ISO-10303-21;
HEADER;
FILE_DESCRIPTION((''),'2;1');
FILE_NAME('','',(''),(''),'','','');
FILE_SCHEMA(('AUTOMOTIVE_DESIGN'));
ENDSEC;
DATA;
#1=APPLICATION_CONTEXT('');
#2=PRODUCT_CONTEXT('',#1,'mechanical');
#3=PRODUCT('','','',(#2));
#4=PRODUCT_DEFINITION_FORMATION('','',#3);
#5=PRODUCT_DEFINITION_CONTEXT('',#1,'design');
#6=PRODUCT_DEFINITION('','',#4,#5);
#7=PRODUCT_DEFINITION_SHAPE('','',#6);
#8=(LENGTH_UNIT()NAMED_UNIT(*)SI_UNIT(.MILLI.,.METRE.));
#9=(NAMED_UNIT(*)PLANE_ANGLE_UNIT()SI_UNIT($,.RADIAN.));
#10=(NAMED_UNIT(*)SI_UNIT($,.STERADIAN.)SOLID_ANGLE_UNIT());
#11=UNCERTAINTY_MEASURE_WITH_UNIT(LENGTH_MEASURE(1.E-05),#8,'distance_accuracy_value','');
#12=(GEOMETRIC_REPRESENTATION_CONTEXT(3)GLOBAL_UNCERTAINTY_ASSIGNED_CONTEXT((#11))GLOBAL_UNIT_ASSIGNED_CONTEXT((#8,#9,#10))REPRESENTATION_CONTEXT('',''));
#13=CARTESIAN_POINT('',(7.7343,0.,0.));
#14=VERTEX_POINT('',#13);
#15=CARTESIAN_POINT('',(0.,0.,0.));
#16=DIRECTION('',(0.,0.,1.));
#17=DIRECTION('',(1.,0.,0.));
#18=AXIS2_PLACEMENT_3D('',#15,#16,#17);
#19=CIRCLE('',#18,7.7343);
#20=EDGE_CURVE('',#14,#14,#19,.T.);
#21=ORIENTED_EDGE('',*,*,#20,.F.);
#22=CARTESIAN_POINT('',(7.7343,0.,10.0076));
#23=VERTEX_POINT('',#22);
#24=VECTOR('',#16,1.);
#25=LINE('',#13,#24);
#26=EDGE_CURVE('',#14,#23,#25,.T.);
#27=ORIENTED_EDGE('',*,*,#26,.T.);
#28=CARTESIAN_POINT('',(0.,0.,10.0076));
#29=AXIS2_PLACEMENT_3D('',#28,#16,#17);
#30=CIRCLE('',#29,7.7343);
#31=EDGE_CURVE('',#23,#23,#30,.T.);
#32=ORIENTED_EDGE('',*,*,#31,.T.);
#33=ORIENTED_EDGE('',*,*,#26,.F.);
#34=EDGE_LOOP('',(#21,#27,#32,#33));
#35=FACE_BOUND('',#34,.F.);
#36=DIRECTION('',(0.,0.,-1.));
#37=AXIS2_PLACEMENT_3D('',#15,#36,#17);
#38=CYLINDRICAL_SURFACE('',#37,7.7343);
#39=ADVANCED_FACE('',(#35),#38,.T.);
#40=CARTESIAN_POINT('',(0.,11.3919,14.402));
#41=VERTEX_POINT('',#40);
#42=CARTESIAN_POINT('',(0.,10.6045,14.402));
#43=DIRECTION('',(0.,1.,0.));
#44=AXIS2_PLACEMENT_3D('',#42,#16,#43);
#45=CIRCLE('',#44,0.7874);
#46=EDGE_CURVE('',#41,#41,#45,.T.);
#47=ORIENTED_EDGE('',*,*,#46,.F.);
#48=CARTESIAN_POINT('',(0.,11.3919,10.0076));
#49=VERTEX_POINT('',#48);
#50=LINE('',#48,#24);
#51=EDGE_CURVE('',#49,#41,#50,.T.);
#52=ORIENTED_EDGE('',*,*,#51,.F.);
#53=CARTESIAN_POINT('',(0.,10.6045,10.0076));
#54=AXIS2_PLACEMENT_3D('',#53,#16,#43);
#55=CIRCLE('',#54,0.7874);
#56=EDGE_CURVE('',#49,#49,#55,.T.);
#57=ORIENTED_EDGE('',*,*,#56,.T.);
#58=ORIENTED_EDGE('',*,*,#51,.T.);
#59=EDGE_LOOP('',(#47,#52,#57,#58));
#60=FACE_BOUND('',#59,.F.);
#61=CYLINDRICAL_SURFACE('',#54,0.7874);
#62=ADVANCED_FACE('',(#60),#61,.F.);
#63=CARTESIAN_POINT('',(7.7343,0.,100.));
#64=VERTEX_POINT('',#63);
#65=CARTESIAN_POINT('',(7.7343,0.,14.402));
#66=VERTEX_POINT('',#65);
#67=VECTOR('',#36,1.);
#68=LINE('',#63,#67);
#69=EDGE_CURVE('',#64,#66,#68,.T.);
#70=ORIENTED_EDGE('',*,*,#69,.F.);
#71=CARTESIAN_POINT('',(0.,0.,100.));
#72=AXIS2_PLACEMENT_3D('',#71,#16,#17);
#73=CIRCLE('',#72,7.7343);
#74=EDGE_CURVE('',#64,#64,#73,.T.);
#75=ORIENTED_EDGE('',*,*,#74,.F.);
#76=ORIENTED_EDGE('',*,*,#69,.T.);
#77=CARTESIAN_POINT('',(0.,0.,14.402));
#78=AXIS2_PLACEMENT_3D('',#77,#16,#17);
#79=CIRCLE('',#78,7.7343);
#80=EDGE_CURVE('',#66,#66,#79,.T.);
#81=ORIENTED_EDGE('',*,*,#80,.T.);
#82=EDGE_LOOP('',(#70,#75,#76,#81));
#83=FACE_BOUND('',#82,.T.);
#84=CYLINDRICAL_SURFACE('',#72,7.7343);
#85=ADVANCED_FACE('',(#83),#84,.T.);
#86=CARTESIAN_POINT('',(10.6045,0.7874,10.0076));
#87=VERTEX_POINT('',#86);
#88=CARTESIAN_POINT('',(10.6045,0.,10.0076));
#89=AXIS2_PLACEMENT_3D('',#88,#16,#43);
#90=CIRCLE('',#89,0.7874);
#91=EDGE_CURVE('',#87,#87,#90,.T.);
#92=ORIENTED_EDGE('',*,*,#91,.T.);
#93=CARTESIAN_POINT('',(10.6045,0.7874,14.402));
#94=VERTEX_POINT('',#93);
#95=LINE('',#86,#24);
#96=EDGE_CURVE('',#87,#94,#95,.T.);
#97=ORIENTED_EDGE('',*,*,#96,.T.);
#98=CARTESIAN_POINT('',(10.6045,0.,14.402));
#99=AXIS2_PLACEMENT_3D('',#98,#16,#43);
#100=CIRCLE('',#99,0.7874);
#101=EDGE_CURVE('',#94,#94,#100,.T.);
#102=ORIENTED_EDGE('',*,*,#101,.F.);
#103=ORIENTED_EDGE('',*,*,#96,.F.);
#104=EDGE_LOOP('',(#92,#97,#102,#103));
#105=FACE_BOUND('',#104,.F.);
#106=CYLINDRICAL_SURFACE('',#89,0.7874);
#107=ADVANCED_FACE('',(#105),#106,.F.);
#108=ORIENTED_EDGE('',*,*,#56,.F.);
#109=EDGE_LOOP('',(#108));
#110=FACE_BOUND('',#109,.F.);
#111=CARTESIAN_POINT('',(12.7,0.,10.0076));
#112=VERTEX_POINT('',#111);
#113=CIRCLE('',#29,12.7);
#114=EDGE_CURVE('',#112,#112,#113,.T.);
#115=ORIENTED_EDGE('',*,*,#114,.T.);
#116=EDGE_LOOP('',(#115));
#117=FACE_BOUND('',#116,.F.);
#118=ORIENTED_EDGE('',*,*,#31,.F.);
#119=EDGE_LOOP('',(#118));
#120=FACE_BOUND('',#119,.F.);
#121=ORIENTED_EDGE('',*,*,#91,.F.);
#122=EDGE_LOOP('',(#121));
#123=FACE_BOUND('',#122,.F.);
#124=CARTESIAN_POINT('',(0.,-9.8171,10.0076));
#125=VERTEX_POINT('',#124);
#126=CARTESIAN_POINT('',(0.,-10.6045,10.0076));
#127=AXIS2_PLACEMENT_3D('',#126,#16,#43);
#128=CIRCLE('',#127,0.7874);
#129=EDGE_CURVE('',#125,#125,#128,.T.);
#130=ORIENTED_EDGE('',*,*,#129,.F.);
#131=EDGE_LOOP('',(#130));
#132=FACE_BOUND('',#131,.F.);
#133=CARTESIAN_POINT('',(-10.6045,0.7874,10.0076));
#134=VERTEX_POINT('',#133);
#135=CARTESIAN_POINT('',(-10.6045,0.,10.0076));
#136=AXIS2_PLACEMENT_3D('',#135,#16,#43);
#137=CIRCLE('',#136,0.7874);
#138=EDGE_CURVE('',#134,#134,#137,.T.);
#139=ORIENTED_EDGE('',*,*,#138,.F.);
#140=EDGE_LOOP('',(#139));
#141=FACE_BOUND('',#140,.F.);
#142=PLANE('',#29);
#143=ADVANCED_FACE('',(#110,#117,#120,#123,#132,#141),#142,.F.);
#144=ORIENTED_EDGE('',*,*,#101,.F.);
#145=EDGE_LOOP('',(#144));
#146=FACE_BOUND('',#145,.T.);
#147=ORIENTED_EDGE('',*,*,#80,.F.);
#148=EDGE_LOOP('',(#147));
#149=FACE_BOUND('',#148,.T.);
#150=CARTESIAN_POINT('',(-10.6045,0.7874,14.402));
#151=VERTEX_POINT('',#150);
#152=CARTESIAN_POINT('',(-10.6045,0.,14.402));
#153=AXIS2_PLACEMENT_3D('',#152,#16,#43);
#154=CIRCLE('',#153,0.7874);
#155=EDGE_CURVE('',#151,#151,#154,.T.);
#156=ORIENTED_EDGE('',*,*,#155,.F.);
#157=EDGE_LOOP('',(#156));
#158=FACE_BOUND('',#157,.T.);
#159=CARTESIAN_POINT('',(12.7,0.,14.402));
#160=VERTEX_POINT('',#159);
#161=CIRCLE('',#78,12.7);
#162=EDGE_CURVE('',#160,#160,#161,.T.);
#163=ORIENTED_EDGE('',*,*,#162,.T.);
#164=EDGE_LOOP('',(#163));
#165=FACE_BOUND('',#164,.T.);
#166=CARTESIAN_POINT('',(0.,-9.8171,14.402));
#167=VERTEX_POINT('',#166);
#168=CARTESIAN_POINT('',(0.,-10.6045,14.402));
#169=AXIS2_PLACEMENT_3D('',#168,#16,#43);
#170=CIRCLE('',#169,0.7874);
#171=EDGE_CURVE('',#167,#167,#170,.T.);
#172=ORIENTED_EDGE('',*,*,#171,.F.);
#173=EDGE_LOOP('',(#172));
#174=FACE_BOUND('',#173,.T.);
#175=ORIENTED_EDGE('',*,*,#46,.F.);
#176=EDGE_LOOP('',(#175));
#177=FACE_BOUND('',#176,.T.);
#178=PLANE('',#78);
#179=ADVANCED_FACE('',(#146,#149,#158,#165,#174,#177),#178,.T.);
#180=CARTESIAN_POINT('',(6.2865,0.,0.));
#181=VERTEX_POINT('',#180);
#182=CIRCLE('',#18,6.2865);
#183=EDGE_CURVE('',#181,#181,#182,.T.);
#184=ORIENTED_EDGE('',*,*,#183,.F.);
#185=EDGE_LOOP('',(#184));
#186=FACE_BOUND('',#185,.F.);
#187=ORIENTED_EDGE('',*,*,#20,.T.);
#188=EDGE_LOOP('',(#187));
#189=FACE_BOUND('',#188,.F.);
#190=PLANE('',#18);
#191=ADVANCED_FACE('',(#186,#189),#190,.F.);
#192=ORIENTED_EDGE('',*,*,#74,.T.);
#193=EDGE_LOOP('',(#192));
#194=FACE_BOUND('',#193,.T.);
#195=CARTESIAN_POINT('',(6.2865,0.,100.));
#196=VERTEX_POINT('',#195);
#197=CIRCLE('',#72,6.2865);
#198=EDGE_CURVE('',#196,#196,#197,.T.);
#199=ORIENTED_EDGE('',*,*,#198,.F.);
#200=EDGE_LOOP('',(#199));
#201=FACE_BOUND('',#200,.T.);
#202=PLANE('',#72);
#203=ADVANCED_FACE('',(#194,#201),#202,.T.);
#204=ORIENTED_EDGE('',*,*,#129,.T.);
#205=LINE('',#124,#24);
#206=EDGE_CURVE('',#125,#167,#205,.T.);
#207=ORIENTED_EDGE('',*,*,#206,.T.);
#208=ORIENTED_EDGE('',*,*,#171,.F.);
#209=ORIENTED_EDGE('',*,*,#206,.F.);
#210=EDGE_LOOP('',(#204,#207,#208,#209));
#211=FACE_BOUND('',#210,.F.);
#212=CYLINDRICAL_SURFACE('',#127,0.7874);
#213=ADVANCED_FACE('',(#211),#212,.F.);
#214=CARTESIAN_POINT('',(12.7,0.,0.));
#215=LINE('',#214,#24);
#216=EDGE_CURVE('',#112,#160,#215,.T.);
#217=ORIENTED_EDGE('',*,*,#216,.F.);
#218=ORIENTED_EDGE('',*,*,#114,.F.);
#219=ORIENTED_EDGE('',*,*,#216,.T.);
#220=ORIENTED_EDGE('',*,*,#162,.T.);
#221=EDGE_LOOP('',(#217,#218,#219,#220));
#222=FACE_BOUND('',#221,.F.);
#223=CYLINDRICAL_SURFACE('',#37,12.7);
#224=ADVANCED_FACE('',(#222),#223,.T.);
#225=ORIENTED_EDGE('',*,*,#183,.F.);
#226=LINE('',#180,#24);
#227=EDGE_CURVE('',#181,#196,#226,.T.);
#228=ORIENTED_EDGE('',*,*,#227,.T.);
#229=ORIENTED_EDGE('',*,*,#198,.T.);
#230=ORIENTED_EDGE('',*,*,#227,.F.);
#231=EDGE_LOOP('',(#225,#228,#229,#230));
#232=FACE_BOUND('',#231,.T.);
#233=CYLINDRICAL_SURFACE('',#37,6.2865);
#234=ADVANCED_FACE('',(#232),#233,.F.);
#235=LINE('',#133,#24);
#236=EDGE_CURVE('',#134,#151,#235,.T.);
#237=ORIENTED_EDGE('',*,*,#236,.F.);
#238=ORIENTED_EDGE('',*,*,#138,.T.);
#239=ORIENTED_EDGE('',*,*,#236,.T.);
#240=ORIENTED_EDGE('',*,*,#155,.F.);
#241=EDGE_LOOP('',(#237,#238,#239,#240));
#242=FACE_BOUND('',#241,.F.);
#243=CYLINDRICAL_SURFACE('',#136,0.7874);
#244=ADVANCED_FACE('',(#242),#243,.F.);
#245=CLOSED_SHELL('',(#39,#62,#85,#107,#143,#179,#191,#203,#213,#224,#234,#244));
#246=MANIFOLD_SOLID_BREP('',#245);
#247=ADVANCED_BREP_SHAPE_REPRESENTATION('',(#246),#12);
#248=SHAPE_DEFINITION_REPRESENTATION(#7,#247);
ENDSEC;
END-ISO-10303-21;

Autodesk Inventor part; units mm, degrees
ref_plane "YZ Plane" through (0, 0, 0) normal (1, 0, 0) x (0, 1, 0)
ref_plane "XZ Plane" through (0, 0, 0) normal (0, 1, 0) x (-1, 0, 0)
ref_plane "XY Plane" through (0, 0, 0) normal (0, 0, 1) x (1, 0, 0)
sketch "Sketch1" plane through (0, 0, 0) normal (0, 0, 1) x (1, 0, 0)
  circle A0 centre (0, 0) radius 6.2865
  circle A1 centre (0, 0) radius 7.7343
  circle A2 centre (0, 0) radius 12.7
  dimension "d0" = 12.573
  dimension "d1" = 15.4686
  dimension "d4" = 25.4
extrude "Extrusion2" add sketch "Sketch1" along normal blind 100 contours A1 | A2
extrude "Extrusion3" cut sketch "Sketch1" along normal blind 10.0076 contours A2
sketch "Sketch3" plane through (0, 0, 100) normal (0, 0, 1) x (1, 0, 0)
  circle A0 centre (0, 0) radius 12.7 projected
  circle A1 centre (0, 0) radius 7.7343 projected
  circle A2 centre (0, 0) radius 6.2865 projected
  circle A3 centre (0, 0) radius 6.2865 projected
  circle A4 centre (0, 0) radius 6.2865 projected
extrude "Extrusion4" cut sketch "Sketch3" against normal blind 85.598 contours A0
sketch "Sketch4" plane through (0, 0, 10.0076) normal (0, 0, -1) x (-1, 0, 0)
  circle A0 centre (0, 0) radius 10.6045 construction
  point P0 (0, 10.6045)
  point P1 (0, -10.6045)
  point P2 (-10.6045, 0)
  point P3 (10.6045, 0)
  dimension "d11" = 21.209
hole "Hole1" at (0, 10.6045, 10.0076) at (10.6045, 0, 10.0076) at (-10.6045, 0, 10.0076) at (0, -10.6045, 10.0076) direction (0, 0, 1) diameter 1.5748 depth 6.2992 tip angle 118
sketch "Sketch5" plane through (0, 0, 10.0076) normal (0, 0, -1) x (-1, 0, 0)
  point P0 (0, 0)
sketch "Sketch6" plane through (0, 0, 10.0076) normal (0, 0, -1) x (-1, 0, 0)
  circle A0 centre (0, 10.6045) radius 0.7874 construction
  line L0 (0, 10.6045) -> (0, 12.7) construction
  circle A1 centre (0, 0) radius 12.7 construction
properties part number "waveguide"
